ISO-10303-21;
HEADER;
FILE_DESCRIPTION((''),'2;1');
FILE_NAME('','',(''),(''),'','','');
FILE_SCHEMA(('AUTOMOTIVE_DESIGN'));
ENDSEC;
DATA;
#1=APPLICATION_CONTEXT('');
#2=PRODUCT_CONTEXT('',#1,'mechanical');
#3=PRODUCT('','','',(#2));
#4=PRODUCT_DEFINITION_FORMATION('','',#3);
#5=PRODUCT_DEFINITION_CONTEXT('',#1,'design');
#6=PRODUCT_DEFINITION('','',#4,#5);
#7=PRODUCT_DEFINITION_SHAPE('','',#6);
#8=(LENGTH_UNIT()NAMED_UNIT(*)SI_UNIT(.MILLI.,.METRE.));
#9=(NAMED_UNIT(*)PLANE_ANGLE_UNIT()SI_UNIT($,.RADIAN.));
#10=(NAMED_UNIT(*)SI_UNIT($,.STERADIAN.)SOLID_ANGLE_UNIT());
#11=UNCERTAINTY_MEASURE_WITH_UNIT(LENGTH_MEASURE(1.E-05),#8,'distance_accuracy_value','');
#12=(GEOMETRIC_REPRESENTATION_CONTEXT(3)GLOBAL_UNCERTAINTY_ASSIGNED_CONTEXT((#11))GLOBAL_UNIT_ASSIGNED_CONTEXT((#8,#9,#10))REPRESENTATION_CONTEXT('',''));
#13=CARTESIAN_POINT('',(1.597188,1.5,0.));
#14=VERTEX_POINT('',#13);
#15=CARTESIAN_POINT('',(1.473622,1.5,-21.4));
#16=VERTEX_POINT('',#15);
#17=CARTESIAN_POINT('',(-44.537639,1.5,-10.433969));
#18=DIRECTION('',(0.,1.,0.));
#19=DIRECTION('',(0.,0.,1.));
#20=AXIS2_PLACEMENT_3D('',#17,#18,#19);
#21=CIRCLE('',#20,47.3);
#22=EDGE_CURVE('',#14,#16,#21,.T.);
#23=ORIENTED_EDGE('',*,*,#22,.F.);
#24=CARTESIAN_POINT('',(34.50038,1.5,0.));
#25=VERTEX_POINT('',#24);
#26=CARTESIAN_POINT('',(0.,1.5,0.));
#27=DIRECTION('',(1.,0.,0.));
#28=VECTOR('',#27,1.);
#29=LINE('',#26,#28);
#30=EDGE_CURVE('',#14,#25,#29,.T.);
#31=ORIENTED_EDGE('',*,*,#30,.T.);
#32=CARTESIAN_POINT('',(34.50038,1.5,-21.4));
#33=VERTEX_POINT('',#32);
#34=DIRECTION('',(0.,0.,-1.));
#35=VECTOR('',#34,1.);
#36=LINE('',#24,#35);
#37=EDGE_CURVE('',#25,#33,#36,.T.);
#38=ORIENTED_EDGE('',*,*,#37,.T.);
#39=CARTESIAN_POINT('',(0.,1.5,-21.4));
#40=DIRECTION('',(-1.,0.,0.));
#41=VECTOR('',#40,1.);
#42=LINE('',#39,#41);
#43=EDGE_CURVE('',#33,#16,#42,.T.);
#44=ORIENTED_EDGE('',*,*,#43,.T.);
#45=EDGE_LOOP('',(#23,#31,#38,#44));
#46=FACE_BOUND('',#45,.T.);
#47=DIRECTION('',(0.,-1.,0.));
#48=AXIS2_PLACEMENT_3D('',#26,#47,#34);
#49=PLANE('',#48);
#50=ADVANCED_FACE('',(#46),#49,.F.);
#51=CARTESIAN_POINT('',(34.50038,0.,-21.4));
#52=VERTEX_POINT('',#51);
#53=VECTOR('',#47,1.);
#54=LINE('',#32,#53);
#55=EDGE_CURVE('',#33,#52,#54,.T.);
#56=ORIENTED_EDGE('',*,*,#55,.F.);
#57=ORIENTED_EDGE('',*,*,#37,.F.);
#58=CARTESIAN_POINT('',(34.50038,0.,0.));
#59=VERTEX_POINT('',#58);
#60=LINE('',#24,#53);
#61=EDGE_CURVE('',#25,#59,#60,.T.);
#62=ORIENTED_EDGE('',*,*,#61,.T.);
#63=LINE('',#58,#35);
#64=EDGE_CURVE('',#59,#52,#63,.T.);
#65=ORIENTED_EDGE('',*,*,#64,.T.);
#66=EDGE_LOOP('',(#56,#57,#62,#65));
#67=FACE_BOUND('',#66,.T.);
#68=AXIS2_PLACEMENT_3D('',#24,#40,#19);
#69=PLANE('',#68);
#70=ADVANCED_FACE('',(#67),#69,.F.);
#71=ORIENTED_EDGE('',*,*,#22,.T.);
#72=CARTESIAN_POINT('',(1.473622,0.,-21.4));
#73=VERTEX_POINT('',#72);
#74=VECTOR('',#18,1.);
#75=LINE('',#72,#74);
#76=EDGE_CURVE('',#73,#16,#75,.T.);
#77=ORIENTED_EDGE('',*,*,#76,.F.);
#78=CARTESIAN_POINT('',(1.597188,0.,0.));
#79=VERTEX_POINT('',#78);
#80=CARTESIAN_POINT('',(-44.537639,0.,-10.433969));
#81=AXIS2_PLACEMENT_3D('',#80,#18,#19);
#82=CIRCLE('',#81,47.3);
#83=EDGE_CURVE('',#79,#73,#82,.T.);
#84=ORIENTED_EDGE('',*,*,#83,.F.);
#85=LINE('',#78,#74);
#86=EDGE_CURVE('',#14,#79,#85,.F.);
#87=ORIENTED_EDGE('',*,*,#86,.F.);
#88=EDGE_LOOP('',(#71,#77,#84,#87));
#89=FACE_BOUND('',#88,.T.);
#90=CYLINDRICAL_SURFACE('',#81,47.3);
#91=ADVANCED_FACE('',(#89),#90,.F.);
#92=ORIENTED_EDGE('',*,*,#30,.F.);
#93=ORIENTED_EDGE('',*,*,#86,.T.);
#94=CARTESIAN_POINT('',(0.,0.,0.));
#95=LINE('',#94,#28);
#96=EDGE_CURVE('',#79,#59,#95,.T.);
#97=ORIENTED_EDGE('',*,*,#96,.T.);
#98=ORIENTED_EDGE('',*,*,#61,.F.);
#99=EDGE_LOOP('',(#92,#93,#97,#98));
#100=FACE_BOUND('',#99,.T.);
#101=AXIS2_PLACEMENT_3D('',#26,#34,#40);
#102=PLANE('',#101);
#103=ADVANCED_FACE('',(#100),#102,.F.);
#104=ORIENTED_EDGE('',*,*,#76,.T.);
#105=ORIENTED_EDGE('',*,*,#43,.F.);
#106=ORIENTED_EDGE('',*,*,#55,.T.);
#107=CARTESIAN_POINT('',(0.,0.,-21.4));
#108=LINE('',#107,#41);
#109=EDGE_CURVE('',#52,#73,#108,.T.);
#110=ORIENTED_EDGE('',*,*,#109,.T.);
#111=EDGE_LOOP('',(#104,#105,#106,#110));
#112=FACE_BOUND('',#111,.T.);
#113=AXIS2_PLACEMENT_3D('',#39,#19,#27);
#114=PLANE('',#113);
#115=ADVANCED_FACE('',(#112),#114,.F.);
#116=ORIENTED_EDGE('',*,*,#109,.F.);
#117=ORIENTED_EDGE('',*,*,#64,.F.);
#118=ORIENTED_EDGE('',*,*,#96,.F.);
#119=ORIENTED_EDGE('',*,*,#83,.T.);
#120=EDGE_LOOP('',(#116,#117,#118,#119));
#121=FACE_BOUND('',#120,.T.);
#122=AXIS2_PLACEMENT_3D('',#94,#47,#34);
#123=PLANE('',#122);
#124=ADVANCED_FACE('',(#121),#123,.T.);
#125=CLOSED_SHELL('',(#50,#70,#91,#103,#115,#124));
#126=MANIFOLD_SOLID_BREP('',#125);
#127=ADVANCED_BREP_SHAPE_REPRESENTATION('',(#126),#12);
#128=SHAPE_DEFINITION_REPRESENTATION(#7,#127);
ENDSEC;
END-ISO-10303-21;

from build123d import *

# Parameters (mm, degrees)
SKETCH1_W           = 34.500380228
SKETCH1_H           = 21.4
BOSS_EXTRUDE1_DEPTH = 1.5
SKETCH2_R           = 47.3
CUT_EXTRUDE1_DEPTH  = 1.5


with BuildPart() as part:
    # Sketch1 → Boss-Extrude1 (new body)
    with BuildSketch(Plane(origin=(0, 0, 0), x_dir=(1, 0, 0), z_dir=(0, 1, 0))):
        with Locations((17.250190114, 10.7)):
            Rectangle(SKETCH1_W, SKETCH1_H)
    extrude(amount=BOSS_EXTRUDE1_DEPTH)

    # Sketch2 → Cut-Extrude1 (cut)
    with BuildSketch(Plane(origin=(0, 1.5, 0), x_dir=(1, 0, 0), z_dir=(0, 1, 0))):
        with Locations((-44.537639276, 10.433968765)):
            Circle(SKETCH2_R)
    extrude(amount=-CUT_EXTRUDE1_DEPTH, mode=Mode.SUBTRACT)


solid = part.part
